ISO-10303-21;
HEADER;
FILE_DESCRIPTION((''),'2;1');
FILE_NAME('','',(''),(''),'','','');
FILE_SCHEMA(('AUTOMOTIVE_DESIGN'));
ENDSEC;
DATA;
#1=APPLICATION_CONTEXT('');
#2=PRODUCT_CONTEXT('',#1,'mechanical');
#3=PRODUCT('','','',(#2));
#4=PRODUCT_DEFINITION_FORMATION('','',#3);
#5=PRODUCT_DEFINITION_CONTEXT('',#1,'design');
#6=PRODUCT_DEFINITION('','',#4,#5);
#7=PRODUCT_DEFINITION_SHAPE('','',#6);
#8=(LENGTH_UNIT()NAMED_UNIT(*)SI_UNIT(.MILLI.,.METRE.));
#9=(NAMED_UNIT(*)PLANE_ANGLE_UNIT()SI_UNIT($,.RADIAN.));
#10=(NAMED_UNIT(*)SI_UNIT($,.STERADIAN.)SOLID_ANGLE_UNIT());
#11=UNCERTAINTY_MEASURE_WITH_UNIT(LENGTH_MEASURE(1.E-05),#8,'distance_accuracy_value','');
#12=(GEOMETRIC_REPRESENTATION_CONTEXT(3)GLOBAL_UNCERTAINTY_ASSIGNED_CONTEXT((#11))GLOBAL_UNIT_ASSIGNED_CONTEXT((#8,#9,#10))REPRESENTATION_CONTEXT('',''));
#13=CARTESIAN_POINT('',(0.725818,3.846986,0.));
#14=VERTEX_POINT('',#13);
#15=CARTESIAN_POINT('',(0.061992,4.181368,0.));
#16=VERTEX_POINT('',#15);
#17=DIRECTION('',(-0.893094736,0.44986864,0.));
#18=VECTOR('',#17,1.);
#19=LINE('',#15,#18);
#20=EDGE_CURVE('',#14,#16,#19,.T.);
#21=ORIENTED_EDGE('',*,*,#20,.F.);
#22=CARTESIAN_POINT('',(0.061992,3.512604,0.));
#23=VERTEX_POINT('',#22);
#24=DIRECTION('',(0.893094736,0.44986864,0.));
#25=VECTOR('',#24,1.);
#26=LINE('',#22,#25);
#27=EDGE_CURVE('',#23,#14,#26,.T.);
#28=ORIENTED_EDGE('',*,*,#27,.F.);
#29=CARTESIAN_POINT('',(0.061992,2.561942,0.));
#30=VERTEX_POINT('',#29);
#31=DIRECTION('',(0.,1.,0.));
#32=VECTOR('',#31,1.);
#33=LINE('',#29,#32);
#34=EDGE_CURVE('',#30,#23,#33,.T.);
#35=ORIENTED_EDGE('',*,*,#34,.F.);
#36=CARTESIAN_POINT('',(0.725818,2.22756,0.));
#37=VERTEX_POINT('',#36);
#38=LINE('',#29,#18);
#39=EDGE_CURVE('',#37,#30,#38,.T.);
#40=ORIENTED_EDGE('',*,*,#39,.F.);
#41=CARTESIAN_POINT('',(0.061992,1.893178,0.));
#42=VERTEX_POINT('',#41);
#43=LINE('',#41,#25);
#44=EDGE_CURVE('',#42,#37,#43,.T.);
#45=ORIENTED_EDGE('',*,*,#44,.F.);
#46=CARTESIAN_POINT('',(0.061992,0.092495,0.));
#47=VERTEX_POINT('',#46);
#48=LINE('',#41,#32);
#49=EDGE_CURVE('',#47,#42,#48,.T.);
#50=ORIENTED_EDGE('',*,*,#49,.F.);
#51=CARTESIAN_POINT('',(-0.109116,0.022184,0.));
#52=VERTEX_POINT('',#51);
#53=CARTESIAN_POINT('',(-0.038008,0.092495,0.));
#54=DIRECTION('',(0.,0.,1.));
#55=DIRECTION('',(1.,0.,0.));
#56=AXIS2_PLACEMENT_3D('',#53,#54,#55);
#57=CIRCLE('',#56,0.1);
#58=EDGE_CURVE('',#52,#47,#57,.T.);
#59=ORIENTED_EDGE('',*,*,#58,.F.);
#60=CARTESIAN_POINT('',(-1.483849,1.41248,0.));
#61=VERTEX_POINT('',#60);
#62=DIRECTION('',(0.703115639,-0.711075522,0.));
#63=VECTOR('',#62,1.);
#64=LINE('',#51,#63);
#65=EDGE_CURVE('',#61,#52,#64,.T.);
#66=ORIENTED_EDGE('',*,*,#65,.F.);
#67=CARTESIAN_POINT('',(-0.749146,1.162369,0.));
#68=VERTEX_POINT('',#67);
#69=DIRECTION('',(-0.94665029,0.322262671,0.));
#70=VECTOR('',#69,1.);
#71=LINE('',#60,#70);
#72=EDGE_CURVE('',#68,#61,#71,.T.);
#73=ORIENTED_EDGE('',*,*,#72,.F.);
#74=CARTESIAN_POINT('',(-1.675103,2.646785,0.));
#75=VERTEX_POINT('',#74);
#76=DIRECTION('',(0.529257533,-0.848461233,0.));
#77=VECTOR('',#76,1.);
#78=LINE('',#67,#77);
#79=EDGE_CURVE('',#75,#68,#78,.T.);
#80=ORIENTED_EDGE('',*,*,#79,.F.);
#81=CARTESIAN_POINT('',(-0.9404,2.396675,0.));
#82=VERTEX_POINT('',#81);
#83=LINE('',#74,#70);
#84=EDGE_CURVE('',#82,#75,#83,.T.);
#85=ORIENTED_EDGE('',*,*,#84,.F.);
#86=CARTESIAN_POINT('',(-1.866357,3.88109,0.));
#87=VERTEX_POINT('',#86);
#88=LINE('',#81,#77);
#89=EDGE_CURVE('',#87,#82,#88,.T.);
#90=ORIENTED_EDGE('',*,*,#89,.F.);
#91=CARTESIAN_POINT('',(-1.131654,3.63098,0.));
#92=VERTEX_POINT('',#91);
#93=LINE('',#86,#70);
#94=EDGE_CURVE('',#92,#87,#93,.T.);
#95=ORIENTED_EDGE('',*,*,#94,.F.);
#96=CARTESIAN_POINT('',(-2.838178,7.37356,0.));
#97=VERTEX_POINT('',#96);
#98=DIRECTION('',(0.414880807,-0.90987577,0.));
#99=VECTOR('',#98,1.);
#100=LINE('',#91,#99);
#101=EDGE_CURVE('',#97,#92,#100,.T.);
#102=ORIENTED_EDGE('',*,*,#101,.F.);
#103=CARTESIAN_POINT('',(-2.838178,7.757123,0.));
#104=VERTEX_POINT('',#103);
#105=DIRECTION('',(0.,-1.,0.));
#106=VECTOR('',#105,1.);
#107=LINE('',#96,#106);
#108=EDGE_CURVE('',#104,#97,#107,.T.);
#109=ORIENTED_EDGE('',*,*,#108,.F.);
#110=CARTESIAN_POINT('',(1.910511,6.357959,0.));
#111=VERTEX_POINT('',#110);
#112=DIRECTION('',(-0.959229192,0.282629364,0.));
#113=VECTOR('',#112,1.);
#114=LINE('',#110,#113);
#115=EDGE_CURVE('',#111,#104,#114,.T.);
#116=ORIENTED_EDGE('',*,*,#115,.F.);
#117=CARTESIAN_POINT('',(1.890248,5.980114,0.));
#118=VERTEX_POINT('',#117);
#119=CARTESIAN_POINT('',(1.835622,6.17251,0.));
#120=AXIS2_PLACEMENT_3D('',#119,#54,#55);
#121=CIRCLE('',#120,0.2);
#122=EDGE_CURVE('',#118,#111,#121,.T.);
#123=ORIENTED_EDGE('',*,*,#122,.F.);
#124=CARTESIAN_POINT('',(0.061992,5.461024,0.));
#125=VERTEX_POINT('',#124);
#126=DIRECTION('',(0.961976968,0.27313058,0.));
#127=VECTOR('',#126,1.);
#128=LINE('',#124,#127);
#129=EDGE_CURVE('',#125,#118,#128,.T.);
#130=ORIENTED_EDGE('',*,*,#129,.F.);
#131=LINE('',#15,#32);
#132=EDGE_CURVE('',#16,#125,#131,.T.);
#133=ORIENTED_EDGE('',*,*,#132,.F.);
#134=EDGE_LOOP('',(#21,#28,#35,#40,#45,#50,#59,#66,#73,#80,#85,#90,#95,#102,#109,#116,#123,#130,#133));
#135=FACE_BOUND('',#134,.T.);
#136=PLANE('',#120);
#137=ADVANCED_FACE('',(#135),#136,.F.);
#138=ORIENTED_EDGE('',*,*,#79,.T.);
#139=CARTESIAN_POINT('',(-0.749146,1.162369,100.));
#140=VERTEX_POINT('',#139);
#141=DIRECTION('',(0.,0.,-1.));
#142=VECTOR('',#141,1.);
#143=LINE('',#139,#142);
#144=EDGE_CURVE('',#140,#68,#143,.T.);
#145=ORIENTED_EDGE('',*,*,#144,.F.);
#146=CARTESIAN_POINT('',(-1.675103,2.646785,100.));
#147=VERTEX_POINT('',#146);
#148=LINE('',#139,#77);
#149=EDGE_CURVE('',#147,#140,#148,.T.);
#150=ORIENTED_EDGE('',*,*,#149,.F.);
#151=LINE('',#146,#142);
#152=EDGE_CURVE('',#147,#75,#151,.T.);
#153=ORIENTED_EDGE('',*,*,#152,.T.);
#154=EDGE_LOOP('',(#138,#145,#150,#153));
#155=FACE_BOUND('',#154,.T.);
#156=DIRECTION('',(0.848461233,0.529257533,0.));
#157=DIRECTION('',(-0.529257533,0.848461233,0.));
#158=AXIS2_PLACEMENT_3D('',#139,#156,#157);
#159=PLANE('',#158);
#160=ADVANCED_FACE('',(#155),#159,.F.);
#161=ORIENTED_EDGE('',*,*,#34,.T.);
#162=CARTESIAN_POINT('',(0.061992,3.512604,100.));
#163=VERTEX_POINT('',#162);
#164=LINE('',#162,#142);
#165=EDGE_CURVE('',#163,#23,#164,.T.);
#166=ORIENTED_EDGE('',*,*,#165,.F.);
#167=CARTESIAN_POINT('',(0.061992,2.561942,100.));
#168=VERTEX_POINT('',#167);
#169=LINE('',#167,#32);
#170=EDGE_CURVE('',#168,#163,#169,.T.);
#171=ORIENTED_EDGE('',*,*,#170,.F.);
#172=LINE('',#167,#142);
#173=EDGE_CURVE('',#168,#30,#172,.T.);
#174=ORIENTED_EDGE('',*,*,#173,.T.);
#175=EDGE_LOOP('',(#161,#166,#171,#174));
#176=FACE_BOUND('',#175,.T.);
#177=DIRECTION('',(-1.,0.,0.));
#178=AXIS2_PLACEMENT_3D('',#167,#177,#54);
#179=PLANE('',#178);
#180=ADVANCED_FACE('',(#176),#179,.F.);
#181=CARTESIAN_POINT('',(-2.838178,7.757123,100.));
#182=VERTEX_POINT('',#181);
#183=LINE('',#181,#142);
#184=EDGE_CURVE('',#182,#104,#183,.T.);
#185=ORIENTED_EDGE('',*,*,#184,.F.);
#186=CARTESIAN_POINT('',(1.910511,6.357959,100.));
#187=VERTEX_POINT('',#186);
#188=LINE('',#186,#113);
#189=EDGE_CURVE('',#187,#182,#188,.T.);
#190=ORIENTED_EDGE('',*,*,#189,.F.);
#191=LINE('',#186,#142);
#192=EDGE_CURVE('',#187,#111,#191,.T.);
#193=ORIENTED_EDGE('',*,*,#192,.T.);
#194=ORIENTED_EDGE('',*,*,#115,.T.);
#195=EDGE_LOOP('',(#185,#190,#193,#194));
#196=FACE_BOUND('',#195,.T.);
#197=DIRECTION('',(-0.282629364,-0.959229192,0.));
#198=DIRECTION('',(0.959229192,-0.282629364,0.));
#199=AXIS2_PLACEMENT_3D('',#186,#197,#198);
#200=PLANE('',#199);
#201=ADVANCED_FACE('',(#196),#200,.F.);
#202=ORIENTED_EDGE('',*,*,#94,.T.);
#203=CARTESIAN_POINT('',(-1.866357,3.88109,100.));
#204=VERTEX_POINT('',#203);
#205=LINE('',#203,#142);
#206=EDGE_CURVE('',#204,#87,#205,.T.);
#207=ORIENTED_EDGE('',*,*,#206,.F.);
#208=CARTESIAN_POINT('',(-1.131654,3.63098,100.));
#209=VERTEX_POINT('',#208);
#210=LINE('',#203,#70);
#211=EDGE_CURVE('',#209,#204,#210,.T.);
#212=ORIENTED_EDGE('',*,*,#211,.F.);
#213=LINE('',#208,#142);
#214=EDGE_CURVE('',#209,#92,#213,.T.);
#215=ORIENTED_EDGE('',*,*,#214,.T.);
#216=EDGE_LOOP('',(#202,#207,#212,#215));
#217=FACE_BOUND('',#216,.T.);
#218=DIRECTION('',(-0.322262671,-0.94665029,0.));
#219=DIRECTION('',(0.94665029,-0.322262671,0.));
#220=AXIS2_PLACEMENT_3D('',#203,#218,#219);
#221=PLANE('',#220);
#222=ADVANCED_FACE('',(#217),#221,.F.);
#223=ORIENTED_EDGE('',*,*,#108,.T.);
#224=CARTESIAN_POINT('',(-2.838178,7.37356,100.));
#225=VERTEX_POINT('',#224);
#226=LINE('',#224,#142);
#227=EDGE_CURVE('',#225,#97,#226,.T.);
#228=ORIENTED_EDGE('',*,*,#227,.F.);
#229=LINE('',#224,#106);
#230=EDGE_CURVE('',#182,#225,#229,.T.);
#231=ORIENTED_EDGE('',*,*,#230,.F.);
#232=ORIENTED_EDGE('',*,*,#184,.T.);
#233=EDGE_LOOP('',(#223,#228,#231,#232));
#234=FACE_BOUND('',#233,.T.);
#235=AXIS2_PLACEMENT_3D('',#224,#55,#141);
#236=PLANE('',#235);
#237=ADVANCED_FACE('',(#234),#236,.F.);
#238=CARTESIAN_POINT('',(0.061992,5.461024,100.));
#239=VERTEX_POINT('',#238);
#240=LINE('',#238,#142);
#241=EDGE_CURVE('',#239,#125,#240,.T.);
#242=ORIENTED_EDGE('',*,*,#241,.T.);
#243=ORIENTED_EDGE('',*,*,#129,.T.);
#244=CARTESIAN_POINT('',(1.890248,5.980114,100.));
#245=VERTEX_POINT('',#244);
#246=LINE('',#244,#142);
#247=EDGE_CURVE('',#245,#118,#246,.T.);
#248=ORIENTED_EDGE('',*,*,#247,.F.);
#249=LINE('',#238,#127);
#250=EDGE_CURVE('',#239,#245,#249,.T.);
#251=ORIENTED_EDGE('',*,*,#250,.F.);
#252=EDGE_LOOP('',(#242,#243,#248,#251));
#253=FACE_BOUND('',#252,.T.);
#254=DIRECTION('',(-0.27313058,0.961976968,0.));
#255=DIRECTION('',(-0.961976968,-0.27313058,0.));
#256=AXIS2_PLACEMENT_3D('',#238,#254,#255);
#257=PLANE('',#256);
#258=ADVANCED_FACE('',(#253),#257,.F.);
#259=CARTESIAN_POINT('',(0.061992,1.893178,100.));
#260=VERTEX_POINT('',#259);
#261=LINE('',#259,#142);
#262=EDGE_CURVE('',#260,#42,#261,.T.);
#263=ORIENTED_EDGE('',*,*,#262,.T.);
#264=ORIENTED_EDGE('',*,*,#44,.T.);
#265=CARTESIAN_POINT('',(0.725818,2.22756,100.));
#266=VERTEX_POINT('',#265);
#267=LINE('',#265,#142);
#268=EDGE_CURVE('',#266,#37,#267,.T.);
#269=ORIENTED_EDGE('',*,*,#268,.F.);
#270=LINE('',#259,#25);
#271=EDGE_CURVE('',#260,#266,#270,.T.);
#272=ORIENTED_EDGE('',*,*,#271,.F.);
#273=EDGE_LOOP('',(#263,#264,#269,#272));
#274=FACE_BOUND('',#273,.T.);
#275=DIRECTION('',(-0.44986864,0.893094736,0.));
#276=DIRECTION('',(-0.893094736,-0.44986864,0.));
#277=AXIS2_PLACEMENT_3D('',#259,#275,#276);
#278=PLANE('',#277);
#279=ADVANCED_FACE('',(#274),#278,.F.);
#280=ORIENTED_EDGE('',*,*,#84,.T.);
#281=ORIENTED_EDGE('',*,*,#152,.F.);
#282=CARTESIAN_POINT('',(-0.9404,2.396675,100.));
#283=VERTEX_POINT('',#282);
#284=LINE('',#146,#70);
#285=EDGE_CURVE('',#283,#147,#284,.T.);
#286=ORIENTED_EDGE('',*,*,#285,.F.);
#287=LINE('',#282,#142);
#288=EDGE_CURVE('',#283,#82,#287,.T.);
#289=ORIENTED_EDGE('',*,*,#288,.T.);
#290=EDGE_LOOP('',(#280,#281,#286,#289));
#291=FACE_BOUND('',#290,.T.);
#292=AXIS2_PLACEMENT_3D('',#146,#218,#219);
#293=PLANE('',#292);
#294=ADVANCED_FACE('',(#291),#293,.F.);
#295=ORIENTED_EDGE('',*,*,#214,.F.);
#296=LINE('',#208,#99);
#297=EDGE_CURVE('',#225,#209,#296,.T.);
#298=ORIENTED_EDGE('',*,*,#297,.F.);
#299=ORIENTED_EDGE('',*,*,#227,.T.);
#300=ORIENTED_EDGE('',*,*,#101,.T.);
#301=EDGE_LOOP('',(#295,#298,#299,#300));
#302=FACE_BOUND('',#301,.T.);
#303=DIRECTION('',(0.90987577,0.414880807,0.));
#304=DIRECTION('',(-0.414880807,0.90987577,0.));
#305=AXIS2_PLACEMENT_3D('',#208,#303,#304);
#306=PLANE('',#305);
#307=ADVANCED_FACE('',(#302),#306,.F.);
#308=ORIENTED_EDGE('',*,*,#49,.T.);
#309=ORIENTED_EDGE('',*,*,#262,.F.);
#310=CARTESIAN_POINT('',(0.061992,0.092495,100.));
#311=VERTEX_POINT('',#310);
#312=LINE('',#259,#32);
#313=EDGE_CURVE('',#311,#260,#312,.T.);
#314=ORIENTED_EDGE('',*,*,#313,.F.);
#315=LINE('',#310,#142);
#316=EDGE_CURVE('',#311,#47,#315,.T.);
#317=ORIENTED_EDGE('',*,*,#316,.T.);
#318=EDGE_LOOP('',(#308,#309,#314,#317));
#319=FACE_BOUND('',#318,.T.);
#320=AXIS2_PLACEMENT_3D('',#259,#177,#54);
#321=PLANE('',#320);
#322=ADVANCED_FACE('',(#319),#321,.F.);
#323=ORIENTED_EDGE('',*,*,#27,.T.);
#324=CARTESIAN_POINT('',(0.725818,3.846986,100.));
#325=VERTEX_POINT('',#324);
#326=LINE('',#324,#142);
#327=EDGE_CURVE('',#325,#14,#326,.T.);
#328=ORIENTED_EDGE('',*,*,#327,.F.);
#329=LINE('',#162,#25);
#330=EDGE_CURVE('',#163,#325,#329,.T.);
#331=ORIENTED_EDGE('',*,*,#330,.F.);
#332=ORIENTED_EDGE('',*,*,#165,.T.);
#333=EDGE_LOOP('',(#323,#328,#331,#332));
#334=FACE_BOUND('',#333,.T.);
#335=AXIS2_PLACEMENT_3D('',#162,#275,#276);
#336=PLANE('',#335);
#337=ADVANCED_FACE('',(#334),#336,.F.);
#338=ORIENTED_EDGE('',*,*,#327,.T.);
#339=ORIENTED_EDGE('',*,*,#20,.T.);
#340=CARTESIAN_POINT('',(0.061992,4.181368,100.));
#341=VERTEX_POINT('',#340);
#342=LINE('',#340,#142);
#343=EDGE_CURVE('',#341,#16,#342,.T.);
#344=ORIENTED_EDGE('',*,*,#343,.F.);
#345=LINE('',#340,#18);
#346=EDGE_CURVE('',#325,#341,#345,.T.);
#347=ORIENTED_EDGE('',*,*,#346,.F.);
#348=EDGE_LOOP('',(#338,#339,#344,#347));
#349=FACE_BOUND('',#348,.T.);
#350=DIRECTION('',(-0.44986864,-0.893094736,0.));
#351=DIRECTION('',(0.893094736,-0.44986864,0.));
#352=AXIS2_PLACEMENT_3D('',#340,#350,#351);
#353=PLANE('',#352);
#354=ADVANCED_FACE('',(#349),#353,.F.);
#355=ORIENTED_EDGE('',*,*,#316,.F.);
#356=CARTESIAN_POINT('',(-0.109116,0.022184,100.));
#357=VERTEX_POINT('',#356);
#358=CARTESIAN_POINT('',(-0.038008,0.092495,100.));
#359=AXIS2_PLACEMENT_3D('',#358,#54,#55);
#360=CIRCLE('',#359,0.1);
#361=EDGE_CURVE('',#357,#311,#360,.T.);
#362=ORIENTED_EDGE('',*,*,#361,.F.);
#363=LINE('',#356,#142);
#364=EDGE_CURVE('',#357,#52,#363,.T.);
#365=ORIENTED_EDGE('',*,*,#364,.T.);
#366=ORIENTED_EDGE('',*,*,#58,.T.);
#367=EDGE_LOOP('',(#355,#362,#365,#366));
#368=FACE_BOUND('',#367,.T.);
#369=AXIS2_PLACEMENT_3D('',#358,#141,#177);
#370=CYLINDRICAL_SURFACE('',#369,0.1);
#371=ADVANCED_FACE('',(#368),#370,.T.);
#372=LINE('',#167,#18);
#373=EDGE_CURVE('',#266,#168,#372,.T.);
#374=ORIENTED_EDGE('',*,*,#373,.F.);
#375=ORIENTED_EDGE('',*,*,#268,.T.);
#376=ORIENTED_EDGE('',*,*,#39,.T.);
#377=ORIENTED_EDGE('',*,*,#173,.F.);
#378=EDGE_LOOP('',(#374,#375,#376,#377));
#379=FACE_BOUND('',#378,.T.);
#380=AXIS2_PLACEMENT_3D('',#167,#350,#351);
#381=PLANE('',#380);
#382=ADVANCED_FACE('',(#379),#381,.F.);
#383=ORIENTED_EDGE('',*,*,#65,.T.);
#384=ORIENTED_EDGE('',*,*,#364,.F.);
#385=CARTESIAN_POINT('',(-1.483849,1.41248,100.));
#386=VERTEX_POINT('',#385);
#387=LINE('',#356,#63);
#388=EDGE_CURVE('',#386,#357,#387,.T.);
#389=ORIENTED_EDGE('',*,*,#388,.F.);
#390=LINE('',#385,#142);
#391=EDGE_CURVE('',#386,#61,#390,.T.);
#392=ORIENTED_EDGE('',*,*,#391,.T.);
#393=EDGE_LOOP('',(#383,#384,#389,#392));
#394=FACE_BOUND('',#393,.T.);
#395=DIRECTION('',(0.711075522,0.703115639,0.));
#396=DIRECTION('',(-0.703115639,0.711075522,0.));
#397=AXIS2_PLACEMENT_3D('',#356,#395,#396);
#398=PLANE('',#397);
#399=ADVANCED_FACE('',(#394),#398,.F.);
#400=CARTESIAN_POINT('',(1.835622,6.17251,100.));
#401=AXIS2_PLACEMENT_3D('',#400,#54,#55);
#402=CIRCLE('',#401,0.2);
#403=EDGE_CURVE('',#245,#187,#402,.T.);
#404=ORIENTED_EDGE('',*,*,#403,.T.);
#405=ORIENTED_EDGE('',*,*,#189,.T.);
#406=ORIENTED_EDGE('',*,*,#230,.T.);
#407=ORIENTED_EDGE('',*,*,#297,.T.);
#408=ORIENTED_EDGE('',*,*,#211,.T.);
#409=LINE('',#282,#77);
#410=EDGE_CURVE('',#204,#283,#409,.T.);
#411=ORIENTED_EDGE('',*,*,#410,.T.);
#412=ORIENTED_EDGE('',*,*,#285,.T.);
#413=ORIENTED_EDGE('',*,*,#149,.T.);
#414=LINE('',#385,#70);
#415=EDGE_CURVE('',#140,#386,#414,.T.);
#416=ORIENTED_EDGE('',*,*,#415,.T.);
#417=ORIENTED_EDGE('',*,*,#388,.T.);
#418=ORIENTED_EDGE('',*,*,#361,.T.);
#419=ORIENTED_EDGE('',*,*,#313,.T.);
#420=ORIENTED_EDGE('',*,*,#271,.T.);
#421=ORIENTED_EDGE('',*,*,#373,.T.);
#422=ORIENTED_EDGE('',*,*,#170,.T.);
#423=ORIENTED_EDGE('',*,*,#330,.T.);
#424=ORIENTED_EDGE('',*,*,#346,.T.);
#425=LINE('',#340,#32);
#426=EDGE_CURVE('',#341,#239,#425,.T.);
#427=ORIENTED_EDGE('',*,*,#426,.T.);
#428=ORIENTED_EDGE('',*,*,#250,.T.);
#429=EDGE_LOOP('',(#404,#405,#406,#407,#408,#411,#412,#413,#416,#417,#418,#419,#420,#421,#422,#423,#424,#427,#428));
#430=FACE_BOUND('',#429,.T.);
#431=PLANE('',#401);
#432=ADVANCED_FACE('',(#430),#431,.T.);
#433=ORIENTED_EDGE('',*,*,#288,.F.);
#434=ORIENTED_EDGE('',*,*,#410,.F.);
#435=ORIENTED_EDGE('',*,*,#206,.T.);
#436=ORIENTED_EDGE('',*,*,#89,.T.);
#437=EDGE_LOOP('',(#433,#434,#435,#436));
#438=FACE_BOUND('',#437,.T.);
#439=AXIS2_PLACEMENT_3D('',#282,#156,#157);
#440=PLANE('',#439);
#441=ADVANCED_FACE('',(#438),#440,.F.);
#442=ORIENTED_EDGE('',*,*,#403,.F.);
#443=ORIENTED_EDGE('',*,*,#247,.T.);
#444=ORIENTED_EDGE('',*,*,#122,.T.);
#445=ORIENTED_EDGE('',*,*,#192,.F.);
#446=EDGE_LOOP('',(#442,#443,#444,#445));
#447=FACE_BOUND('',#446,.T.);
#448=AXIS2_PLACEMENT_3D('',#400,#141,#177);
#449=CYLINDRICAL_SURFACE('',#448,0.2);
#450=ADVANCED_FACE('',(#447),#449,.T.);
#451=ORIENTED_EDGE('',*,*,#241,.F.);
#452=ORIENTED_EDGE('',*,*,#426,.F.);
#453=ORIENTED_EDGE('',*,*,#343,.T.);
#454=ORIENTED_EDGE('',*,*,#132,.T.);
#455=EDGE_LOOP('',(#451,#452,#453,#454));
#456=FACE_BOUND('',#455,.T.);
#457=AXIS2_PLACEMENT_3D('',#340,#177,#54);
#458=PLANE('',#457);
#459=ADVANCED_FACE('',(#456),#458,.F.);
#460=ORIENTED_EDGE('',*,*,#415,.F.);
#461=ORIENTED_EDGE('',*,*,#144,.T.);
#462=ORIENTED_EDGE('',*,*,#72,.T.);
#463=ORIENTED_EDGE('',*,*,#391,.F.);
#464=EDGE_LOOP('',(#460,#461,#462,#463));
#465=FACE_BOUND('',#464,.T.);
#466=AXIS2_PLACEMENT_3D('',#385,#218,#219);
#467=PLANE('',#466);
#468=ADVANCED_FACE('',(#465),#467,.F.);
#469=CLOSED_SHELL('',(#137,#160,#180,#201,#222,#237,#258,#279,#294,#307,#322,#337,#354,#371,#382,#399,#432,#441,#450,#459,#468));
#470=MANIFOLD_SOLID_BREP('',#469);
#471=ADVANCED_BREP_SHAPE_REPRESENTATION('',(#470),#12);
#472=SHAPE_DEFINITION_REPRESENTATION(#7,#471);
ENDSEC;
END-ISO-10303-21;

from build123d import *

# Parameters (mm, degrees)
EXTRUDE_1_DEPTH = 100


with BuildPart() as part:
    # 草图1 → 凸台-拉伸1 (new body)
    with BuildSketch(Plane.XY):
        with BuildLine():
            Line((1.910511393, 6.357959232), (-2.838177965, 7.757123338))
            Line((-2.838177965, 7.757123338), (-2.838177965, 7.373559769))
            Line((-2.838177965, 7.373559769), (-1.131654309, 3.630979973))
            Line((-1.131654309, 3.630979973), (-1.866356806, 3.881090486))
            Line((-1.866356806, 3.881090486), (-0.940400183, 2.396674584))
            Line((-0.940400183, 2.396674584), (-1.67510268, 2.646785097))
            Line((-1.67510268, 2.646785097), (-0.749146057, 1.162369196))
            Line((-0.749146057, 1.162369196), (-1.483848554, 1.412479708))
            Line((-1.483848554, 1.412479708), (-0.109115741, 0.02218372))
            ThreePointArc((-0.109115741, 0.02218372), (0, 0), (0.061991812, 0.092495284))
            Line((0.061991812, 0.092495284), (0.061991812, 1.893178292))
            Line((0.061991812, 1.893178292), (0.725818023, 2.227560058))
            Line((0.725818023, 2.227560058), (0.061991812, 2.561941824))
            Line((0.061991812, 2.561941824), (0.061991812, 3.512604418))
            Line((0.061991812, 3.512604418), (0.725818023, 3.846986184))
            Line((0.725818023, 3.846986184), (0.061991812, 4.18136795))
            Line((0.061991812, 4.18136795), (0.061991812, 5.461024264))
            Line((0.061991812, 5.461024264), (1.89024786, 5.980114276))
            ThreePointArc((1.89024786, 5.980114276), (2.035334753, 6.161799215), (1.910511393, 6.357959232))
        make_face()
    extrude(amount=EXTRUDE_1_DEPTH)


solid = part.part
